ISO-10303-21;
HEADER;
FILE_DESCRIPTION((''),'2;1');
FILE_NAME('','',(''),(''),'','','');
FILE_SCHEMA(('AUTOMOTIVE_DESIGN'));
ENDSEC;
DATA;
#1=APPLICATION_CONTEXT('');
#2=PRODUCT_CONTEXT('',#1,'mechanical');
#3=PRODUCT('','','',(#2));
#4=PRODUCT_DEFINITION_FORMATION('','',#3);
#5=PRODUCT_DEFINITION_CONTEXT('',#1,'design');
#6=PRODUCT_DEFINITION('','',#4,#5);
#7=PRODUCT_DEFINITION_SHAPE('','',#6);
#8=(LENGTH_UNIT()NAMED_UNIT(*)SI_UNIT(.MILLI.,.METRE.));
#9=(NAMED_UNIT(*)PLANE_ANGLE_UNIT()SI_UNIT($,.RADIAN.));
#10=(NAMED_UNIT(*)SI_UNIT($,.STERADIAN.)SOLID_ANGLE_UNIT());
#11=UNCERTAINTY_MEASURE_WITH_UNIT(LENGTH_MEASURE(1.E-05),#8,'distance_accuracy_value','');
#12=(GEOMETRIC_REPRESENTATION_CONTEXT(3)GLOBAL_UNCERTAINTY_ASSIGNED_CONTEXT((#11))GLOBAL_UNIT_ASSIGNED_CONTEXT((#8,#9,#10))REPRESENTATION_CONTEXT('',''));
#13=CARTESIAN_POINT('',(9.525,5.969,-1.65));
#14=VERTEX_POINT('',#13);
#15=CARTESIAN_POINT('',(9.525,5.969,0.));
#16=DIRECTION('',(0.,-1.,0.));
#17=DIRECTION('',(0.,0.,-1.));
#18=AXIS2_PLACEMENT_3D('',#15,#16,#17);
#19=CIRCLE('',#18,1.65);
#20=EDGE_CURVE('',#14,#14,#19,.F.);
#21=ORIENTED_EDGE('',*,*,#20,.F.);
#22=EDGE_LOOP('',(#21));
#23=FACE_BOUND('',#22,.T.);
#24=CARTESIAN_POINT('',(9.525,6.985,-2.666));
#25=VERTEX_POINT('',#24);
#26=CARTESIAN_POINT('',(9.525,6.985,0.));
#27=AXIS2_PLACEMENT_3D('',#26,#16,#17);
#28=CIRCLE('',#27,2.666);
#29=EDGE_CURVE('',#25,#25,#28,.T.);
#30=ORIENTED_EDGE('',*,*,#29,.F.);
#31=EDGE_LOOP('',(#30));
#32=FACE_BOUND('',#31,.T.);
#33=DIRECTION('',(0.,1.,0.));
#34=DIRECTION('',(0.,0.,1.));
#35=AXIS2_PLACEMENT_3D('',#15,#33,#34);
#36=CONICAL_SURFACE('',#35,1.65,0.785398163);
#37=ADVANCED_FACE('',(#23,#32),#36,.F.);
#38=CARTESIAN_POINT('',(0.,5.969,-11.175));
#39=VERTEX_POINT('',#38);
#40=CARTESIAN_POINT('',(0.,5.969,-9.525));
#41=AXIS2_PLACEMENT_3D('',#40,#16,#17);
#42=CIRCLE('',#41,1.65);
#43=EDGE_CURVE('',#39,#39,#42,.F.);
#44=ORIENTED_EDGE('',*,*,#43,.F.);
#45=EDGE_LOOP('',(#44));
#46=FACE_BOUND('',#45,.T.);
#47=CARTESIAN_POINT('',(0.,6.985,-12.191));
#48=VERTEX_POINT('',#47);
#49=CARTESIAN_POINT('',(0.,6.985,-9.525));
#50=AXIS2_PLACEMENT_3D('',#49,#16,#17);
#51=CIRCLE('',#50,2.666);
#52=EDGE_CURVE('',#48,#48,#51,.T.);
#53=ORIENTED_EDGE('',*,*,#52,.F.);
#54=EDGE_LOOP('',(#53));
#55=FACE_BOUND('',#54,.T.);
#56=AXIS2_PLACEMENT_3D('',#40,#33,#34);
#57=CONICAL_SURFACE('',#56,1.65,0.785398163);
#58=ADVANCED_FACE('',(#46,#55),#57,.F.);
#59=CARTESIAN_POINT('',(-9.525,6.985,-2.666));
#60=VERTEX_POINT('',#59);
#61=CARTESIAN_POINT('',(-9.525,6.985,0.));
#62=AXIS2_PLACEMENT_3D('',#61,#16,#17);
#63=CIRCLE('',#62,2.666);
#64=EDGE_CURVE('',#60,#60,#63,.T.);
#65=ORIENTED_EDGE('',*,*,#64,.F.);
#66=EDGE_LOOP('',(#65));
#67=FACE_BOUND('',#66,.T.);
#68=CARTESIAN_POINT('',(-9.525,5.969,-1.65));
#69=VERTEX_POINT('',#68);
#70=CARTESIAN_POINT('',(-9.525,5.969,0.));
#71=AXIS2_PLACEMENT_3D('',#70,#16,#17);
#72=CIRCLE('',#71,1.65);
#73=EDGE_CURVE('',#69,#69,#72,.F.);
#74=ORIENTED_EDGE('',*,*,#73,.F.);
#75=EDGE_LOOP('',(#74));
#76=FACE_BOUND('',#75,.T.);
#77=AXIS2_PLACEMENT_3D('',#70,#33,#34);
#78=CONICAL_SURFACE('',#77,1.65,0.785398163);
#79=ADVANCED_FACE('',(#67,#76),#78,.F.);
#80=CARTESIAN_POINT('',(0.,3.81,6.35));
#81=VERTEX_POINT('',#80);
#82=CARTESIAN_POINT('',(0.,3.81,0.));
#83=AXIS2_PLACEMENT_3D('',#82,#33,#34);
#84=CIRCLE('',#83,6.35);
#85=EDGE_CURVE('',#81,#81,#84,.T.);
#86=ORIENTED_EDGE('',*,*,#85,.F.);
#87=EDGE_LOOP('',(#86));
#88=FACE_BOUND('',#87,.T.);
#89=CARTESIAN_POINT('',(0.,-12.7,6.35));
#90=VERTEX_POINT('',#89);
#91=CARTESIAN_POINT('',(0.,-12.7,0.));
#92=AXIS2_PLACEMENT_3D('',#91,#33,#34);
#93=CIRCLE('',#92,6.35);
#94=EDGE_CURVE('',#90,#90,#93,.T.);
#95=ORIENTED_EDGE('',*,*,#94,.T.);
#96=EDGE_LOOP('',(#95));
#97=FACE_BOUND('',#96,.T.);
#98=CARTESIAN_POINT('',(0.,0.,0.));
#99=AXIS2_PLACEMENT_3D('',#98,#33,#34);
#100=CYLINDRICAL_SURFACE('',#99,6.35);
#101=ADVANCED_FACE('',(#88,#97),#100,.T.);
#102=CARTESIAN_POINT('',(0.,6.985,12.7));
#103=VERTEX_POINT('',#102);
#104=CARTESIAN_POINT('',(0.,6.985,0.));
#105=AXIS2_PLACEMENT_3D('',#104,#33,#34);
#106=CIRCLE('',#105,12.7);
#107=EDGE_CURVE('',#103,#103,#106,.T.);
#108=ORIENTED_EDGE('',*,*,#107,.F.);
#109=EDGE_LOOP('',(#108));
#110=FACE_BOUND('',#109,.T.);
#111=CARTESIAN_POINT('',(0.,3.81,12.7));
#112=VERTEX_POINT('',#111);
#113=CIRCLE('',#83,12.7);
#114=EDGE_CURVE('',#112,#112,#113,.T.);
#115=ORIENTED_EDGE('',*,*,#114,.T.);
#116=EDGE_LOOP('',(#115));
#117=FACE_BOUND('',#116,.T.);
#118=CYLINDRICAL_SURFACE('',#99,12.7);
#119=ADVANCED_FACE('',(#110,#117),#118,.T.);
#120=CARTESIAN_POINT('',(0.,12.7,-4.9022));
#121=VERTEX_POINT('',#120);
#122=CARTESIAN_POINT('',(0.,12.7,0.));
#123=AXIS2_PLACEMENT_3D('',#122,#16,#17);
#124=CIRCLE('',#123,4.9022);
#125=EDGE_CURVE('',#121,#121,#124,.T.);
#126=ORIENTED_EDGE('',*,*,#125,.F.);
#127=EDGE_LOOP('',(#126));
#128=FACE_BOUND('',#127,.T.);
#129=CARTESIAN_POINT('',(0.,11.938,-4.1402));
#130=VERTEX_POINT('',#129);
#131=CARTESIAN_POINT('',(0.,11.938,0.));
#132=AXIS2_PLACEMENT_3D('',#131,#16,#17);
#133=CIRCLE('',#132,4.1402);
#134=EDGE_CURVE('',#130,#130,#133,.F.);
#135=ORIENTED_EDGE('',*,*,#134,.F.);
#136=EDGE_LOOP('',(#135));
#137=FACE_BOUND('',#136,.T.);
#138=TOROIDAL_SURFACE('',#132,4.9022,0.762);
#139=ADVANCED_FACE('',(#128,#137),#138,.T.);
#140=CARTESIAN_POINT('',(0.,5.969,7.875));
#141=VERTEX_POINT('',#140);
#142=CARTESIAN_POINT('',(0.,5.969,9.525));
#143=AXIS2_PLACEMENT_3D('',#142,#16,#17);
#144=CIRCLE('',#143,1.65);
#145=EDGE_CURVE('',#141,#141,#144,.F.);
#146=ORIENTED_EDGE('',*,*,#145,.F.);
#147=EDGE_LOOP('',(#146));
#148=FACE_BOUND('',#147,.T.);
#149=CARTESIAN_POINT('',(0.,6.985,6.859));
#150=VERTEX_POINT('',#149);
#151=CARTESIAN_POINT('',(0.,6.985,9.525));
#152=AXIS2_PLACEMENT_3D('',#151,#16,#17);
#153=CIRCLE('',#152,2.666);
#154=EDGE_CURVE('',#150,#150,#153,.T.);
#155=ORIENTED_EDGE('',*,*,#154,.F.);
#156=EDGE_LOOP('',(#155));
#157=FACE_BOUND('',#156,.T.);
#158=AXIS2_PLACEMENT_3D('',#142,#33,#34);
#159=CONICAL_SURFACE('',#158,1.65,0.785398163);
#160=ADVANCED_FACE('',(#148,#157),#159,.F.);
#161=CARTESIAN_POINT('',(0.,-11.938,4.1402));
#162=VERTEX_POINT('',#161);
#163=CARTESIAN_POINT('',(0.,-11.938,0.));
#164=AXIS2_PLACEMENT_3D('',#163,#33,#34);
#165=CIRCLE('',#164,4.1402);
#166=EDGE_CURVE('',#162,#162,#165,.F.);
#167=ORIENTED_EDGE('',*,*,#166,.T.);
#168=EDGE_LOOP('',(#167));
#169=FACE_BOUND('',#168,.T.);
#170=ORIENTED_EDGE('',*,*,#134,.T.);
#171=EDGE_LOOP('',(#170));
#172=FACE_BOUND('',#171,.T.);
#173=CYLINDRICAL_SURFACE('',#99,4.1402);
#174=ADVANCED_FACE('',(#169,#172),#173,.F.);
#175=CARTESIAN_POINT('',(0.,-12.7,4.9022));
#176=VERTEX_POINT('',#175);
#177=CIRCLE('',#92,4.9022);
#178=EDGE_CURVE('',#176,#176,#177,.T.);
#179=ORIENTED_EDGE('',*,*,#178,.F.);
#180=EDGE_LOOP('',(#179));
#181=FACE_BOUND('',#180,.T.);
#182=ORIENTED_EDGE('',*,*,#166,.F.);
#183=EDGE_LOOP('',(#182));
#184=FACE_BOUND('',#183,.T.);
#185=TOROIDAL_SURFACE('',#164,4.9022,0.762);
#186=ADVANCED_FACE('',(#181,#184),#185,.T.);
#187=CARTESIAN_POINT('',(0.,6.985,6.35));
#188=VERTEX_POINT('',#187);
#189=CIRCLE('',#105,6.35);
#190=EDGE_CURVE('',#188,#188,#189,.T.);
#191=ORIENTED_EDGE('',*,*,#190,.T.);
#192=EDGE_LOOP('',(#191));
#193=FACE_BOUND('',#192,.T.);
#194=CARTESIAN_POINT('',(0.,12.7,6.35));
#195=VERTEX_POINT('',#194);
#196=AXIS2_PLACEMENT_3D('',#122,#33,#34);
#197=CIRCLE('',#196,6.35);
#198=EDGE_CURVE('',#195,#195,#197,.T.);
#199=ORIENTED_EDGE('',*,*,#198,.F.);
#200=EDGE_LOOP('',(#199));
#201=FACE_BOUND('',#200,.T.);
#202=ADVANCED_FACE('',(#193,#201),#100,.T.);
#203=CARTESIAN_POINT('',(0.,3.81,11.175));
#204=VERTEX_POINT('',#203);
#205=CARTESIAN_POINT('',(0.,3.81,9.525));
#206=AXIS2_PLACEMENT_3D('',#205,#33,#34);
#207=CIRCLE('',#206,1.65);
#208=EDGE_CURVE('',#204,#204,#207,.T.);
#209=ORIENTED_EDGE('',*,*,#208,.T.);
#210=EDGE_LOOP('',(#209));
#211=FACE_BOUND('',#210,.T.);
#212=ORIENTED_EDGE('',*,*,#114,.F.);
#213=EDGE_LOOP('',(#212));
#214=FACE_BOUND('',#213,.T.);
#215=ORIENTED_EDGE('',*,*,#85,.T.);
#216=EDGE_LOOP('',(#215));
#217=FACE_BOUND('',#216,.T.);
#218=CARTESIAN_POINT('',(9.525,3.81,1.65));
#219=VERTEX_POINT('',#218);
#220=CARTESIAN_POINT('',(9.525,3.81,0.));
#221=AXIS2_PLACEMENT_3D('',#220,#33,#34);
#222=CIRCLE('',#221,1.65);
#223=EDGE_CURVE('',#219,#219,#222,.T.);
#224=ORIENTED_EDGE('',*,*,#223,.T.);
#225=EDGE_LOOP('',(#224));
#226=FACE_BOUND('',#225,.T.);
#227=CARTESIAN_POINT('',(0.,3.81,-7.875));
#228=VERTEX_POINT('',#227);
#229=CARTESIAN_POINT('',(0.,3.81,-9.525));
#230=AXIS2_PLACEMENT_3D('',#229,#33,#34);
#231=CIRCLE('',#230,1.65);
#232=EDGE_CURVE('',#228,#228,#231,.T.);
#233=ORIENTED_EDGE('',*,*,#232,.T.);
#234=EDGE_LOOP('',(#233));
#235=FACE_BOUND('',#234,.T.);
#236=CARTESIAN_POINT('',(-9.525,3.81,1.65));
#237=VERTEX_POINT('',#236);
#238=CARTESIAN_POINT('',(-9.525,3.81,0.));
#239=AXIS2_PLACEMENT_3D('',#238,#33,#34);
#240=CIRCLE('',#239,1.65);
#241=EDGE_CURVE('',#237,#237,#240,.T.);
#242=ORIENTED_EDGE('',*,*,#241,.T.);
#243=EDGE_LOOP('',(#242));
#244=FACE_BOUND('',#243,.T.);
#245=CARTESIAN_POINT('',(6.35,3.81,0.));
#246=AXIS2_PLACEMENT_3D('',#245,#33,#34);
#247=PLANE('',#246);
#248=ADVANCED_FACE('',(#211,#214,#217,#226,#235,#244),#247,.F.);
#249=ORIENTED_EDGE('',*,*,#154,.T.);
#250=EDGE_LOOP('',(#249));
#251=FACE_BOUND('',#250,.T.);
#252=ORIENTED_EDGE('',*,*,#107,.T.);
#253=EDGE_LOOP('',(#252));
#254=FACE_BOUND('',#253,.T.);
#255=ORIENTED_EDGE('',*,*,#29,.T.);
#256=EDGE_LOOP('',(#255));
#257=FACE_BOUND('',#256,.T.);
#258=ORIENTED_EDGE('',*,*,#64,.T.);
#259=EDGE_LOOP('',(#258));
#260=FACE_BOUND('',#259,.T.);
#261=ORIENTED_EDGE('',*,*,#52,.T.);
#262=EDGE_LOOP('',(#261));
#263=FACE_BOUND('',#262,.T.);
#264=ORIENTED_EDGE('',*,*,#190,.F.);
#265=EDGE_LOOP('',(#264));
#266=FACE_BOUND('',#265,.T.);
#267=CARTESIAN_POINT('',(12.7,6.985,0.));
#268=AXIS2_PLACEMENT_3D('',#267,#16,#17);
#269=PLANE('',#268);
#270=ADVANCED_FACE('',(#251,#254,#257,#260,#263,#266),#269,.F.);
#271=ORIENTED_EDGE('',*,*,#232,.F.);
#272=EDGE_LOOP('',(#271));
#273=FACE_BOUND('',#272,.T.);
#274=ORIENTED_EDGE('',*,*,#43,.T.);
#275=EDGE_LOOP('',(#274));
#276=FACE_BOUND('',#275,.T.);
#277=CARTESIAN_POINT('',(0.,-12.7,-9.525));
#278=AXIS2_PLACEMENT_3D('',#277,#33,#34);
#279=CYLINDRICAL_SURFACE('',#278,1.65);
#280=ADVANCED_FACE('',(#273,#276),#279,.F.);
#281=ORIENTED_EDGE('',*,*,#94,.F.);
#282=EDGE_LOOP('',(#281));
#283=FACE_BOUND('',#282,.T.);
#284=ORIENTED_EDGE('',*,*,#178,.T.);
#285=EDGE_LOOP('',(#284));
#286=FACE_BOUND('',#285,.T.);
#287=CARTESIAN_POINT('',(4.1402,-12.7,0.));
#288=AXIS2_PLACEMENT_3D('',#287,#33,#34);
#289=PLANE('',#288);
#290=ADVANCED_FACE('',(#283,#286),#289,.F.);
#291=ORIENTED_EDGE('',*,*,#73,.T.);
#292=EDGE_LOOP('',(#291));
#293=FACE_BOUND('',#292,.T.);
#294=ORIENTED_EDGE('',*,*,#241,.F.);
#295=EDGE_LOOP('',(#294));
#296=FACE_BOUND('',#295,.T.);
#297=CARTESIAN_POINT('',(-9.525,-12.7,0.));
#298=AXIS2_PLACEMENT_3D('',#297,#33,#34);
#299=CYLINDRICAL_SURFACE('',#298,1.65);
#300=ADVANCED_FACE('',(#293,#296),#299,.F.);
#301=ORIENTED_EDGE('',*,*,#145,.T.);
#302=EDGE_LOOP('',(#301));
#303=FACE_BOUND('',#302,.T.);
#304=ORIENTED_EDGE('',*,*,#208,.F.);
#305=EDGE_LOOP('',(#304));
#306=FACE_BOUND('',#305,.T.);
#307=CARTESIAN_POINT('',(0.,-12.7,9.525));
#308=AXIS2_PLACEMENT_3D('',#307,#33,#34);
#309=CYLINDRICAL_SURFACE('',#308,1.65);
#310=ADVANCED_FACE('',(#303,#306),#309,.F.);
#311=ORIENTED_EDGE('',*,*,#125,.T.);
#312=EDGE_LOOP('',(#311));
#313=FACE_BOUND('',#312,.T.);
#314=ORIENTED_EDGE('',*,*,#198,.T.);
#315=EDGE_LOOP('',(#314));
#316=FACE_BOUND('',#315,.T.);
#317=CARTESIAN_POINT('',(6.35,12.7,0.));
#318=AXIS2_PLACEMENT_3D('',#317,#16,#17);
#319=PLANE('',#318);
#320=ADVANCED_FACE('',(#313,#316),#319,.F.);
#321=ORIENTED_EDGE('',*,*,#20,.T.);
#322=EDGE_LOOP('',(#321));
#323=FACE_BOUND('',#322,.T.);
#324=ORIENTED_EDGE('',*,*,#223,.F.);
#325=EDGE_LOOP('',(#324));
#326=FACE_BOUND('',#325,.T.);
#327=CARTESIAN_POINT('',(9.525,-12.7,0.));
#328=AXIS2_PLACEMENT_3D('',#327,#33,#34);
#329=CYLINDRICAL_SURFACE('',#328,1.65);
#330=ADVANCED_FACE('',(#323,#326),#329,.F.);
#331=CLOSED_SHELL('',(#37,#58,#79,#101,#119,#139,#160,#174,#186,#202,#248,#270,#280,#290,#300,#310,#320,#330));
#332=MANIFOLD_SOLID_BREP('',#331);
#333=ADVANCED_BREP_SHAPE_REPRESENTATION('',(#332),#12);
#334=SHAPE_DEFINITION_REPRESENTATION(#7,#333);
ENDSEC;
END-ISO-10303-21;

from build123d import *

# Parameters (mm, degrees)
SKETCH2_R                    = 1.65
CUT_EXTRUDE1_DEPTH           = 27.647311778
CHAMFER1_SIZE                = 1.016
CIRPATTERN1_COUNT            = 4
CHAMFER1_OF_CIRPATTERN1_SIZE = 1.016
FILLET1_R                    = 0.762


with BuildPart() as part:
    # Sketch1 → Revolve1 (revolve)
    with BuildSketch(Plane.XY, mode=Mode.PRIVATE) as revolve1_sk:
        Polygon((4.1402, 12.7), (4.1402, -12.7), (6.35, -12.7), (6.35, 3.81), (12.7, 3.81), (12.7, 6.985), (6.35, 6.985), (6.35, 12.7), align=None)
    revolve(revolve1_sk.sketch.rotate(Axis((0, 0, 0), (0, -1, 0)), 90), axis=Axis((0, 0, 0), (0, -1, 0)))

    # Sketch2 → Cut-Extrude1 (cut, through all)
    with BuildSketch(Plane(origin=(0, 6.985, 0), x_dir=(1, 0, 0), z_dir=(0, 1, 0))):
        with Locations(Location((0, 9.525, 0), (0, 0, 270))):
            Circle(SKETCH2_R)
    cut_extrude1 = extrude(amount=-CUT_EXTRUDE1_DEPTH, mode=Mode.SUBTRACT)

    # Chamfer1
    chamfer1_edges = [part.edges().sort_by_distance(p)[0] for p in [
        (0, 6.985, -11.175),
    ]]
    chamfer(chamfer1_edges, length=CHAMFER1_SIZE)

    # CirPattern1: Cut-Extrude1 ×4 about axis
    cirpattern1_axis = Axis((0, 0, 0), (0, 1, 0))
    for i in range(1, CIRPATTERN1_COUNT):
        add(cut_extrude1.rotate(cirpattern1_axis, i * 360 / CIRPATTERN1_COUNT), mode=Mode.SUBTRACT)

    # Chamfer1 of CirPattern1
    chamfer1_of_cirpattern1_edges = [part.edges().sort_by_distance(p)[0] for p in [
        (-11.175, 6.985, 0),
        (0, 6.985, 11.175),
        (11.175, 6.985, 0),
    ]]
    chamfer(chamfer1_of_cirpattern1_edges, length=CHAMFER1_OF_CIRPATTERN1_SIZE)

    # Fillet1
    fillet1_edges = [part.edges().sort_by_distance(p)[0] for p in [
        (0, 12.7, -4.1402),
        (0, -12.7, -4.1402),
    ]]
    fillet(fillet1_edges, radius=FILLET1_R)


solid = part.part
